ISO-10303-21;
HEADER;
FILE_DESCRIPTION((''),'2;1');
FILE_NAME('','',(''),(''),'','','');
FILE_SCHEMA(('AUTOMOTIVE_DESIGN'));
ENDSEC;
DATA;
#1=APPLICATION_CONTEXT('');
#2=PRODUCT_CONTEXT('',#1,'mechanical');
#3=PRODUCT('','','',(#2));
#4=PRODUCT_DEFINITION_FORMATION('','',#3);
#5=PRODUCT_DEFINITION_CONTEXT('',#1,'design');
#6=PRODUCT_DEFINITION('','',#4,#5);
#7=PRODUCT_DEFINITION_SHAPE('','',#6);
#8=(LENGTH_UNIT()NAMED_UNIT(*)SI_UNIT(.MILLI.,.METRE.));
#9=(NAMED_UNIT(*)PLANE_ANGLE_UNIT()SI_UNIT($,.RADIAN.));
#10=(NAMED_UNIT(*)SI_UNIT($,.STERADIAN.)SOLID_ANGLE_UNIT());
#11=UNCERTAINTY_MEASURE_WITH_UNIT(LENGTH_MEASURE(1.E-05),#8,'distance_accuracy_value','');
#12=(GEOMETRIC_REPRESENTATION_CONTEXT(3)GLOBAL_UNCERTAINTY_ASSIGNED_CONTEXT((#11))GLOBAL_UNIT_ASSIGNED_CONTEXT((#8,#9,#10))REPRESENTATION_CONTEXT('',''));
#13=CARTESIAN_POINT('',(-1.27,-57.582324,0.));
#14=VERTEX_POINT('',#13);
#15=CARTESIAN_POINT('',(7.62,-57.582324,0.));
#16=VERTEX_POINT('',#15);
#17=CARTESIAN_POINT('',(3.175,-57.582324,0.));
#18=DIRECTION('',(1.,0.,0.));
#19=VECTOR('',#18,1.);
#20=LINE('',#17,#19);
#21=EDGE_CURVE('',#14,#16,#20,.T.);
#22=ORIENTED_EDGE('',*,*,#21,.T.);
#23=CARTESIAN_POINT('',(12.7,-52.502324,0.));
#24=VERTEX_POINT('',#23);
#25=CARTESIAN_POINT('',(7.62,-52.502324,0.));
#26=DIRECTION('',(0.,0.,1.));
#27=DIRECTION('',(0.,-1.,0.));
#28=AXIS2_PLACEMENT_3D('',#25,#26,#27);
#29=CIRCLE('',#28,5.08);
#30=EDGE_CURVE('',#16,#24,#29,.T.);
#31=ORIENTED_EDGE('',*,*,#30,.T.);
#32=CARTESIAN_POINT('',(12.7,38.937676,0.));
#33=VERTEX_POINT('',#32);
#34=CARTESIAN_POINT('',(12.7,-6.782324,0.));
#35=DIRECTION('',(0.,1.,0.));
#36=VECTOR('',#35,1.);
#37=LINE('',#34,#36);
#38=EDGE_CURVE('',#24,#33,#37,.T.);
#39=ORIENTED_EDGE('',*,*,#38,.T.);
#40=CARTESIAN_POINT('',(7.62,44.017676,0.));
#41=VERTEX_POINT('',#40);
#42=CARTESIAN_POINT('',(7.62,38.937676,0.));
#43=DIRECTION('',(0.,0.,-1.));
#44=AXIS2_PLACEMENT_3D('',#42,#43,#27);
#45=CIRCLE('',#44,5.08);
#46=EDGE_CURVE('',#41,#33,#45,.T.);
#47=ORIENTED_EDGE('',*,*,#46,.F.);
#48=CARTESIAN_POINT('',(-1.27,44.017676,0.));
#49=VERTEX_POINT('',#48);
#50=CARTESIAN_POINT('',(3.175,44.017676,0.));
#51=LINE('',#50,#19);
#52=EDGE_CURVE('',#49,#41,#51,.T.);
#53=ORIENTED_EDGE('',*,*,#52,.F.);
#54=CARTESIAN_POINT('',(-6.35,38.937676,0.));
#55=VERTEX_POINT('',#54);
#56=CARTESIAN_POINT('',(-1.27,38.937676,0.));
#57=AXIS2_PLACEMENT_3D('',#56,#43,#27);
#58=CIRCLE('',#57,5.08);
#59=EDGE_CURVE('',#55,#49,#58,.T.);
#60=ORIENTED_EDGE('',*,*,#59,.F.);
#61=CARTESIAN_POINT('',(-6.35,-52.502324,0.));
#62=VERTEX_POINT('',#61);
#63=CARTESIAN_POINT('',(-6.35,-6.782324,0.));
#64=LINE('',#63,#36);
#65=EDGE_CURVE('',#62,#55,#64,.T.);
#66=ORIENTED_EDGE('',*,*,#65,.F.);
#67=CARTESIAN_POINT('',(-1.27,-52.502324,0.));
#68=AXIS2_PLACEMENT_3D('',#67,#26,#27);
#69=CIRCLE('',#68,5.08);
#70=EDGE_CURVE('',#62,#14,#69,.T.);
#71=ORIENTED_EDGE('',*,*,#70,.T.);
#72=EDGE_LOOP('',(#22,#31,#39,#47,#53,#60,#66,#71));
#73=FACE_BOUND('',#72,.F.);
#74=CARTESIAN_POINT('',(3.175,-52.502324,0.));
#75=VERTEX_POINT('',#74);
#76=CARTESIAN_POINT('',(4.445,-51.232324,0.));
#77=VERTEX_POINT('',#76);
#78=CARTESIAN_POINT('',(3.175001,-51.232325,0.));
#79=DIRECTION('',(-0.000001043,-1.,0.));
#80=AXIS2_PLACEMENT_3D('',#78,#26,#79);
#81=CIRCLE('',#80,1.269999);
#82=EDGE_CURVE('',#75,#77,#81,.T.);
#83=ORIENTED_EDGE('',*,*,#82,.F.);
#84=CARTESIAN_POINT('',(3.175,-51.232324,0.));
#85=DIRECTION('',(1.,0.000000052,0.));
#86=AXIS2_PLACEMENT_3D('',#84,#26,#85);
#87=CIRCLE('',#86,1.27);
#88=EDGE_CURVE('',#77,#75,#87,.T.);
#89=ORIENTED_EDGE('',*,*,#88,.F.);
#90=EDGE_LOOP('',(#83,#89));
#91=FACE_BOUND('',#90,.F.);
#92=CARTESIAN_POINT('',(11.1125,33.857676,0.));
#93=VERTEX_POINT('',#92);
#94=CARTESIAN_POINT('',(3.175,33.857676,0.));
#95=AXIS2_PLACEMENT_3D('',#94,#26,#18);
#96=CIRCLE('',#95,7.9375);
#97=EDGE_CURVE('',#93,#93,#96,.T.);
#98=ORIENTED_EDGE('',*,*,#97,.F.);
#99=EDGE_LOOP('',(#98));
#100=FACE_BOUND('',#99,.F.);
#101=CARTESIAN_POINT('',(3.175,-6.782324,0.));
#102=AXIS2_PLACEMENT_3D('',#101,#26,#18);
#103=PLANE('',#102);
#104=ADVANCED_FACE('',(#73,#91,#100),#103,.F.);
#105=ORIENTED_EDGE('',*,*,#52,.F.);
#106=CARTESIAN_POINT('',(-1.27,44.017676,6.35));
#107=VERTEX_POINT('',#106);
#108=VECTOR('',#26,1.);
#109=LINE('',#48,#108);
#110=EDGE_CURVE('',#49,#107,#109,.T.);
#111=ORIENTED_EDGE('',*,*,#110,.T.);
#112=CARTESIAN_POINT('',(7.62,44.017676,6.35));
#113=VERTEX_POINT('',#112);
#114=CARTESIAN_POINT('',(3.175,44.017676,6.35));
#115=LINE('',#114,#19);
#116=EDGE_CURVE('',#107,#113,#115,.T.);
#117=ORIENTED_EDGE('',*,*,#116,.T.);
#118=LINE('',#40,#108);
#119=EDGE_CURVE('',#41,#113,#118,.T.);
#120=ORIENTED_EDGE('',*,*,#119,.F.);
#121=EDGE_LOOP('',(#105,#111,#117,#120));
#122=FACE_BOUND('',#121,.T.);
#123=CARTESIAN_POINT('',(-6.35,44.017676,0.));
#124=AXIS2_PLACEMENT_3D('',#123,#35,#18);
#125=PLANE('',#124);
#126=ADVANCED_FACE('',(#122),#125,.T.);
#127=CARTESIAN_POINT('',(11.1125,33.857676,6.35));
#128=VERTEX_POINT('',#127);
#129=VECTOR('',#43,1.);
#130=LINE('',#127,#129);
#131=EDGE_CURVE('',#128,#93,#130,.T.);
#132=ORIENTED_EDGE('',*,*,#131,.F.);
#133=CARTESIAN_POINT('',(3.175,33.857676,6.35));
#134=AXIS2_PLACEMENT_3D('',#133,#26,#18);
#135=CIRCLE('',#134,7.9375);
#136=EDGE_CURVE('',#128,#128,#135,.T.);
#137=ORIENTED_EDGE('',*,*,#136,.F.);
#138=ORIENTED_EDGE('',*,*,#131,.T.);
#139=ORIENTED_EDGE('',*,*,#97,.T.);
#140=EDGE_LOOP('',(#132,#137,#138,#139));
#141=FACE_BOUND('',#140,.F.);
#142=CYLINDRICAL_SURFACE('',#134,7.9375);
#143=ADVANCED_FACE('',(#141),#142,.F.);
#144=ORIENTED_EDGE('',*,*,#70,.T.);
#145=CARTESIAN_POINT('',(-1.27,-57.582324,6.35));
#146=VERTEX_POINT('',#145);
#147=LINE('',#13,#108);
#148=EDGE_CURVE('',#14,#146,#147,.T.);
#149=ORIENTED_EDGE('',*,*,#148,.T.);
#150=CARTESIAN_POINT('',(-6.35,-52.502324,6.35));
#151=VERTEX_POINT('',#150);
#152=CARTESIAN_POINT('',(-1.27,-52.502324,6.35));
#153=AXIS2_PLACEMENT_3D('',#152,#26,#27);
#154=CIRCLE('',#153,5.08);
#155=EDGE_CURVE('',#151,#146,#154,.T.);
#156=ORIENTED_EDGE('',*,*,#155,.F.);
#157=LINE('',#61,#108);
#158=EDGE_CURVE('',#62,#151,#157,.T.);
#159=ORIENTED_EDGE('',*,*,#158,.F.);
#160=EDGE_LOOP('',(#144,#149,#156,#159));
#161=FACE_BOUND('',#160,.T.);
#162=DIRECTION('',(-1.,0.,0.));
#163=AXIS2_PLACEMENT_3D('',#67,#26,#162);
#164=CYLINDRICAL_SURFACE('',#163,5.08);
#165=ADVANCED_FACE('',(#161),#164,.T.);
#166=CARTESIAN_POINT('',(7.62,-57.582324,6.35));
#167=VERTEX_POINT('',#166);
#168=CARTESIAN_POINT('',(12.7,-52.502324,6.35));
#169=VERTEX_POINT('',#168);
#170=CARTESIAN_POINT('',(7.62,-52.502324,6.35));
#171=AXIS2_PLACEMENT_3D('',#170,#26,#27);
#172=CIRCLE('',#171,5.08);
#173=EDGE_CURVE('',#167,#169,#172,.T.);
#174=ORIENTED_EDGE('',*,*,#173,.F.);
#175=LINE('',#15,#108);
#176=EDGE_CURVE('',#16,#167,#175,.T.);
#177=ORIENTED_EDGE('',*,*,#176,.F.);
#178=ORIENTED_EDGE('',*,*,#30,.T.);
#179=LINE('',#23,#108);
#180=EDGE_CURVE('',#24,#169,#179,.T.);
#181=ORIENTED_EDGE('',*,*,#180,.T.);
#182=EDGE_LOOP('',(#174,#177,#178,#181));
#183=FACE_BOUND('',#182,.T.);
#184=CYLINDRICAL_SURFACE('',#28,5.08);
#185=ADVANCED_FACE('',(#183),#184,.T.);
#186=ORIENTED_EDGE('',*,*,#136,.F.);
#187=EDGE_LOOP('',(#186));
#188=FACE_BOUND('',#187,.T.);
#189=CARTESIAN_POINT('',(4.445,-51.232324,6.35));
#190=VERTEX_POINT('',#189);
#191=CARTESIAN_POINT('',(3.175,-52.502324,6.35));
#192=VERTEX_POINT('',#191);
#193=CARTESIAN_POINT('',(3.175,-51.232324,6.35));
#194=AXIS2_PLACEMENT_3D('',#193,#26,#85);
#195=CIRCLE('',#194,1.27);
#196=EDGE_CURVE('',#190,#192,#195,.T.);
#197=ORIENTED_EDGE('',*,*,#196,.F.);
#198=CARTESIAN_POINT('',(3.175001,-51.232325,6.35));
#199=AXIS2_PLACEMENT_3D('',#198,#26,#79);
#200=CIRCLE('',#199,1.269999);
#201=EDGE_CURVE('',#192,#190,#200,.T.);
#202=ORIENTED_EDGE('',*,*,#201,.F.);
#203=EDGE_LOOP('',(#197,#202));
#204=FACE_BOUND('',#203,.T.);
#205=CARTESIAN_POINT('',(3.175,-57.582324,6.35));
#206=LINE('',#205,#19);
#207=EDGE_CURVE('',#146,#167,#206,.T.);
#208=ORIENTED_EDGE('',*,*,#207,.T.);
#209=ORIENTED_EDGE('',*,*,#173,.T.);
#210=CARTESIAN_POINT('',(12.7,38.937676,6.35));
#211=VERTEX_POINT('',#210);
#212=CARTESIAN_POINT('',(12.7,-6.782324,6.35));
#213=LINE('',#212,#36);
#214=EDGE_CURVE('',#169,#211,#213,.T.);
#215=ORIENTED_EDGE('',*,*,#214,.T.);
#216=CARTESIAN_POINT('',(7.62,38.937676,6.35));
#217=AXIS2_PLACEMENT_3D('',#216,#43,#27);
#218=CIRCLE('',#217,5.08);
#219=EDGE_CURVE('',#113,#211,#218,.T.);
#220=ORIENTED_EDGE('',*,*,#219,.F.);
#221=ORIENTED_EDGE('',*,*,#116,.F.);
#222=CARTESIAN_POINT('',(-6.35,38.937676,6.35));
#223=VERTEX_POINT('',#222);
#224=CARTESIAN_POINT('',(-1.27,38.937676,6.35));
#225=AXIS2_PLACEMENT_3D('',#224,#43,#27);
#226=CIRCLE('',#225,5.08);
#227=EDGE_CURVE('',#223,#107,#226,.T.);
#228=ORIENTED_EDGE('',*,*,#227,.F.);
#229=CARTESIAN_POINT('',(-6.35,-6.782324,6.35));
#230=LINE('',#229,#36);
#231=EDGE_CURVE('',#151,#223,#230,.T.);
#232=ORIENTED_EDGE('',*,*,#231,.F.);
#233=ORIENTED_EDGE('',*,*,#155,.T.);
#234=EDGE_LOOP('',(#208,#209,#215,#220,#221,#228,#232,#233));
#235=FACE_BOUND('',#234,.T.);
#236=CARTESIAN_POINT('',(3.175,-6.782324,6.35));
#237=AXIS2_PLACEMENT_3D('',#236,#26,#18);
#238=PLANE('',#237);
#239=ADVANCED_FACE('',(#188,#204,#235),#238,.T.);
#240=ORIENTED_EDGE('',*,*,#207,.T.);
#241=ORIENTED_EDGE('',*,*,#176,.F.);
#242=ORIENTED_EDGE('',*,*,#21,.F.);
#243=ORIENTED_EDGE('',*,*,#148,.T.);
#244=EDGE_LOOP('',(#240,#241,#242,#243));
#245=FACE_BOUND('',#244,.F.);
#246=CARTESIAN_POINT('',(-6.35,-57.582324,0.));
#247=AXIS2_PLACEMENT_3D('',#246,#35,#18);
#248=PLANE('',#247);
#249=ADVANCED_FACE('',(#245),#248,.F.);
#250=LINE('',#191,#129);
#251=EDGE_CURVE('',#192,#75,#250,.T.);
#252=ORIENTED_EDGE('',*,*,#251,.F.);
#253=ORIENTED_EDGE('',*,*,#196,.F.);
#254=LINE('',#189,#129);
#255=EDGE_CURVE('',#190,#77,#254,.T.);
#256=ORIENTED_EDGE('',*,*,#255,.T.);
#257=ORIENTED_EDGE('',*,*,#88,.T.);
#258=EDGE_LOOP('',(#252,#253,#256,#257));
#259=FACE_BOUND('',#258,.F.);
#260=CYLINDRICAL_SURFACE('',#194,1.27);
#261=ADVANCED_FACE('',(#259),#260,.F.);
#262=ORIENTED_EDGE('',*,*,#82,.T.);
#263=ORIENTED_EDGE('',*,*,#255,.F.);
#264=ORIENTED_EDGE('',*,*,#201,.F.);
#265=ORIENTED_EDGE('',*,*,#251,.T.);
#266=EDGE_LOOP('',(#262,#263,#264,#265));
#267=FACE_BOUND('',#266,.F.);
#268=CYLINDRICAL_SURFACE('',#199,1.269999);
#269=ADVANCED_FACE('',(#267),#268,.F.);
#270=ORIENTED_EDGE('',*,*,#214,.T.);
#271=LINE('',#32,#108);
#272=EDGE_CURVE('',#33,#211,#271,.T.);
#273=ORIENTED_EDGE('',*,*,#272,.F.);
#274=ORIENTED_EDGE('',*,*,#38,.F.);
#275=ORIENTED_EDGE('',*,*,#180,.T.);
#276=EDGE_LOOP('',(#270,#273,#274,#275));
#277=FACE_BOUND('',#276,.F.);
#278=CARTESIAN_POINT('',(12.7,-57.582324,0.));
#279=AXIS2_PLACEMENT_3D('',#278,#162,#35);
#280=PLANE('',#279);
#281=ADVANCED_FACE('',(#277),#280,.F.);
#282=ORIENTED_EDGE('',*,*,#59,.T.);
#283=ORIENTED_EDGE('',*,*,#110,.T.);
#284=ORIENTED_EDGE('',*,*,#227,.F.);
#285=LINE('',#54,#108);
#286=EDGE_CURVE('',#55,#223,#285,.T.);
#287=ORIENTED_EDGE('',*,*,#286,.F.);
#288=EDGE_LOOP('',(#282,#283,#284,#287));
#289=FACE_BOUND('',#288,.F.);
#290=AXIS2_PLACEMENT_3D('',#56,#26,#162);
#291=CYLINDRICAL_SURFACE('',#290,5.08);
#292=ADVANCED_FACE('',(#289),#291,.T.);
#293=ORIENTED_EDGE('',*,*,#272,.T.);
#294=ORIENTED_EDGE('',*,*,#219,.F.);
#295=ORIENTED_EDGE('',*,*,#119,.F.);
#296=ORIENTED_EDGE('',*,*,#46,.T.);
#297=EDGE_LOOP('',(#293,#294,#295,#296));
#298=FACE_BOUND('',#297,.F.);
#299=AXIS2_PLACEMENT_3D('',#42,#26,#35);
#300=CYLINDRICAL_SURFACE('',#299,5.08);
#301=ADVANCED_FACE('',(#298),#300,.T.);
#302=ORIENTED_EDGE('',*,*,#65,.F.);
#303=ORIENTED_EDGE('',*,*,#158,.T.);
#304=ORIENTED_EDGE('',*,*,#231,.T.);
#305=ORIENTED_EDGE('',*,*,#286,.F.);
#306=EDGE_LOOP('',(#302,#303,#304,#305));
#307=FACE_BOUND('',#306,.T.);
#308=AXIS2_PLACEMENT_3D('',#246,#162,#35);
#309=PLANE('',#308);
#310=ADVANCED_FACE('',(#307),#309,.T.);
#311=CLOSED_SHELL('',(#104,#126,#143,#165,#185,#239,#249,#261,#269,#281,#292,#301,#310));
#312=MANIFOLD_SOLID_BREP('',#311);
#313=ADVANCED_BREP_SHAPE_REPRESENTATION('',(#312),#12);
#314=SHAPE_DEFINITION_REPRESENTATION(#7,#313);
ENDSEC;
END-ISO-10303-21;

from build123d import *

# Parameters (mm, degrees)
F0_W     = 19.05
F0_H     = 101.6
F1_DEPTH = 6.35
F2_R     = 7.9375
F3_DEPTH = 25.4
F4_R     = 5.08


with BuildPart() as f1:
    # F0 (on Top) → F1 (new body)
    with BuildSketch(Plane.XY):
        with Locations((3.175, -6.782324)):
            Rectangle(F0_W, F0_H)
    extrude(amount=F1_DEPTH)

    # F2 (on face) → F3 (cut)
    with BuildSketch(Plane.XY.offset(6.35)):
        with Locations((3.175, 33.857676)):
            Circle(F2_R)
        with BuildLine():
            ThreePointArc((4.445, -51.232324), (2.276975, -50.334298), (3.175, -52.502324))
            ThreePointArc((3.175, -52.502324), (4.073026, -52.13035), (4.445, -51.232324))
        make_face()
    extrude(amount=-F3_DEPTH, mode=Mode.SUBTRACT)

    # F4
    f4_edges = [f1.edges().sort_by_distance(p)[0] for p in [
        (-6.35, 44.017676, 3.175),
        (-6.35, -57.582324, 3.175),
        (12.7, -57.582324, 3.175),
        (12.7, 44.017676, 3.175),
    ]]
    fillet(f4_edges, radius=F4_R)


solid = f1.part
